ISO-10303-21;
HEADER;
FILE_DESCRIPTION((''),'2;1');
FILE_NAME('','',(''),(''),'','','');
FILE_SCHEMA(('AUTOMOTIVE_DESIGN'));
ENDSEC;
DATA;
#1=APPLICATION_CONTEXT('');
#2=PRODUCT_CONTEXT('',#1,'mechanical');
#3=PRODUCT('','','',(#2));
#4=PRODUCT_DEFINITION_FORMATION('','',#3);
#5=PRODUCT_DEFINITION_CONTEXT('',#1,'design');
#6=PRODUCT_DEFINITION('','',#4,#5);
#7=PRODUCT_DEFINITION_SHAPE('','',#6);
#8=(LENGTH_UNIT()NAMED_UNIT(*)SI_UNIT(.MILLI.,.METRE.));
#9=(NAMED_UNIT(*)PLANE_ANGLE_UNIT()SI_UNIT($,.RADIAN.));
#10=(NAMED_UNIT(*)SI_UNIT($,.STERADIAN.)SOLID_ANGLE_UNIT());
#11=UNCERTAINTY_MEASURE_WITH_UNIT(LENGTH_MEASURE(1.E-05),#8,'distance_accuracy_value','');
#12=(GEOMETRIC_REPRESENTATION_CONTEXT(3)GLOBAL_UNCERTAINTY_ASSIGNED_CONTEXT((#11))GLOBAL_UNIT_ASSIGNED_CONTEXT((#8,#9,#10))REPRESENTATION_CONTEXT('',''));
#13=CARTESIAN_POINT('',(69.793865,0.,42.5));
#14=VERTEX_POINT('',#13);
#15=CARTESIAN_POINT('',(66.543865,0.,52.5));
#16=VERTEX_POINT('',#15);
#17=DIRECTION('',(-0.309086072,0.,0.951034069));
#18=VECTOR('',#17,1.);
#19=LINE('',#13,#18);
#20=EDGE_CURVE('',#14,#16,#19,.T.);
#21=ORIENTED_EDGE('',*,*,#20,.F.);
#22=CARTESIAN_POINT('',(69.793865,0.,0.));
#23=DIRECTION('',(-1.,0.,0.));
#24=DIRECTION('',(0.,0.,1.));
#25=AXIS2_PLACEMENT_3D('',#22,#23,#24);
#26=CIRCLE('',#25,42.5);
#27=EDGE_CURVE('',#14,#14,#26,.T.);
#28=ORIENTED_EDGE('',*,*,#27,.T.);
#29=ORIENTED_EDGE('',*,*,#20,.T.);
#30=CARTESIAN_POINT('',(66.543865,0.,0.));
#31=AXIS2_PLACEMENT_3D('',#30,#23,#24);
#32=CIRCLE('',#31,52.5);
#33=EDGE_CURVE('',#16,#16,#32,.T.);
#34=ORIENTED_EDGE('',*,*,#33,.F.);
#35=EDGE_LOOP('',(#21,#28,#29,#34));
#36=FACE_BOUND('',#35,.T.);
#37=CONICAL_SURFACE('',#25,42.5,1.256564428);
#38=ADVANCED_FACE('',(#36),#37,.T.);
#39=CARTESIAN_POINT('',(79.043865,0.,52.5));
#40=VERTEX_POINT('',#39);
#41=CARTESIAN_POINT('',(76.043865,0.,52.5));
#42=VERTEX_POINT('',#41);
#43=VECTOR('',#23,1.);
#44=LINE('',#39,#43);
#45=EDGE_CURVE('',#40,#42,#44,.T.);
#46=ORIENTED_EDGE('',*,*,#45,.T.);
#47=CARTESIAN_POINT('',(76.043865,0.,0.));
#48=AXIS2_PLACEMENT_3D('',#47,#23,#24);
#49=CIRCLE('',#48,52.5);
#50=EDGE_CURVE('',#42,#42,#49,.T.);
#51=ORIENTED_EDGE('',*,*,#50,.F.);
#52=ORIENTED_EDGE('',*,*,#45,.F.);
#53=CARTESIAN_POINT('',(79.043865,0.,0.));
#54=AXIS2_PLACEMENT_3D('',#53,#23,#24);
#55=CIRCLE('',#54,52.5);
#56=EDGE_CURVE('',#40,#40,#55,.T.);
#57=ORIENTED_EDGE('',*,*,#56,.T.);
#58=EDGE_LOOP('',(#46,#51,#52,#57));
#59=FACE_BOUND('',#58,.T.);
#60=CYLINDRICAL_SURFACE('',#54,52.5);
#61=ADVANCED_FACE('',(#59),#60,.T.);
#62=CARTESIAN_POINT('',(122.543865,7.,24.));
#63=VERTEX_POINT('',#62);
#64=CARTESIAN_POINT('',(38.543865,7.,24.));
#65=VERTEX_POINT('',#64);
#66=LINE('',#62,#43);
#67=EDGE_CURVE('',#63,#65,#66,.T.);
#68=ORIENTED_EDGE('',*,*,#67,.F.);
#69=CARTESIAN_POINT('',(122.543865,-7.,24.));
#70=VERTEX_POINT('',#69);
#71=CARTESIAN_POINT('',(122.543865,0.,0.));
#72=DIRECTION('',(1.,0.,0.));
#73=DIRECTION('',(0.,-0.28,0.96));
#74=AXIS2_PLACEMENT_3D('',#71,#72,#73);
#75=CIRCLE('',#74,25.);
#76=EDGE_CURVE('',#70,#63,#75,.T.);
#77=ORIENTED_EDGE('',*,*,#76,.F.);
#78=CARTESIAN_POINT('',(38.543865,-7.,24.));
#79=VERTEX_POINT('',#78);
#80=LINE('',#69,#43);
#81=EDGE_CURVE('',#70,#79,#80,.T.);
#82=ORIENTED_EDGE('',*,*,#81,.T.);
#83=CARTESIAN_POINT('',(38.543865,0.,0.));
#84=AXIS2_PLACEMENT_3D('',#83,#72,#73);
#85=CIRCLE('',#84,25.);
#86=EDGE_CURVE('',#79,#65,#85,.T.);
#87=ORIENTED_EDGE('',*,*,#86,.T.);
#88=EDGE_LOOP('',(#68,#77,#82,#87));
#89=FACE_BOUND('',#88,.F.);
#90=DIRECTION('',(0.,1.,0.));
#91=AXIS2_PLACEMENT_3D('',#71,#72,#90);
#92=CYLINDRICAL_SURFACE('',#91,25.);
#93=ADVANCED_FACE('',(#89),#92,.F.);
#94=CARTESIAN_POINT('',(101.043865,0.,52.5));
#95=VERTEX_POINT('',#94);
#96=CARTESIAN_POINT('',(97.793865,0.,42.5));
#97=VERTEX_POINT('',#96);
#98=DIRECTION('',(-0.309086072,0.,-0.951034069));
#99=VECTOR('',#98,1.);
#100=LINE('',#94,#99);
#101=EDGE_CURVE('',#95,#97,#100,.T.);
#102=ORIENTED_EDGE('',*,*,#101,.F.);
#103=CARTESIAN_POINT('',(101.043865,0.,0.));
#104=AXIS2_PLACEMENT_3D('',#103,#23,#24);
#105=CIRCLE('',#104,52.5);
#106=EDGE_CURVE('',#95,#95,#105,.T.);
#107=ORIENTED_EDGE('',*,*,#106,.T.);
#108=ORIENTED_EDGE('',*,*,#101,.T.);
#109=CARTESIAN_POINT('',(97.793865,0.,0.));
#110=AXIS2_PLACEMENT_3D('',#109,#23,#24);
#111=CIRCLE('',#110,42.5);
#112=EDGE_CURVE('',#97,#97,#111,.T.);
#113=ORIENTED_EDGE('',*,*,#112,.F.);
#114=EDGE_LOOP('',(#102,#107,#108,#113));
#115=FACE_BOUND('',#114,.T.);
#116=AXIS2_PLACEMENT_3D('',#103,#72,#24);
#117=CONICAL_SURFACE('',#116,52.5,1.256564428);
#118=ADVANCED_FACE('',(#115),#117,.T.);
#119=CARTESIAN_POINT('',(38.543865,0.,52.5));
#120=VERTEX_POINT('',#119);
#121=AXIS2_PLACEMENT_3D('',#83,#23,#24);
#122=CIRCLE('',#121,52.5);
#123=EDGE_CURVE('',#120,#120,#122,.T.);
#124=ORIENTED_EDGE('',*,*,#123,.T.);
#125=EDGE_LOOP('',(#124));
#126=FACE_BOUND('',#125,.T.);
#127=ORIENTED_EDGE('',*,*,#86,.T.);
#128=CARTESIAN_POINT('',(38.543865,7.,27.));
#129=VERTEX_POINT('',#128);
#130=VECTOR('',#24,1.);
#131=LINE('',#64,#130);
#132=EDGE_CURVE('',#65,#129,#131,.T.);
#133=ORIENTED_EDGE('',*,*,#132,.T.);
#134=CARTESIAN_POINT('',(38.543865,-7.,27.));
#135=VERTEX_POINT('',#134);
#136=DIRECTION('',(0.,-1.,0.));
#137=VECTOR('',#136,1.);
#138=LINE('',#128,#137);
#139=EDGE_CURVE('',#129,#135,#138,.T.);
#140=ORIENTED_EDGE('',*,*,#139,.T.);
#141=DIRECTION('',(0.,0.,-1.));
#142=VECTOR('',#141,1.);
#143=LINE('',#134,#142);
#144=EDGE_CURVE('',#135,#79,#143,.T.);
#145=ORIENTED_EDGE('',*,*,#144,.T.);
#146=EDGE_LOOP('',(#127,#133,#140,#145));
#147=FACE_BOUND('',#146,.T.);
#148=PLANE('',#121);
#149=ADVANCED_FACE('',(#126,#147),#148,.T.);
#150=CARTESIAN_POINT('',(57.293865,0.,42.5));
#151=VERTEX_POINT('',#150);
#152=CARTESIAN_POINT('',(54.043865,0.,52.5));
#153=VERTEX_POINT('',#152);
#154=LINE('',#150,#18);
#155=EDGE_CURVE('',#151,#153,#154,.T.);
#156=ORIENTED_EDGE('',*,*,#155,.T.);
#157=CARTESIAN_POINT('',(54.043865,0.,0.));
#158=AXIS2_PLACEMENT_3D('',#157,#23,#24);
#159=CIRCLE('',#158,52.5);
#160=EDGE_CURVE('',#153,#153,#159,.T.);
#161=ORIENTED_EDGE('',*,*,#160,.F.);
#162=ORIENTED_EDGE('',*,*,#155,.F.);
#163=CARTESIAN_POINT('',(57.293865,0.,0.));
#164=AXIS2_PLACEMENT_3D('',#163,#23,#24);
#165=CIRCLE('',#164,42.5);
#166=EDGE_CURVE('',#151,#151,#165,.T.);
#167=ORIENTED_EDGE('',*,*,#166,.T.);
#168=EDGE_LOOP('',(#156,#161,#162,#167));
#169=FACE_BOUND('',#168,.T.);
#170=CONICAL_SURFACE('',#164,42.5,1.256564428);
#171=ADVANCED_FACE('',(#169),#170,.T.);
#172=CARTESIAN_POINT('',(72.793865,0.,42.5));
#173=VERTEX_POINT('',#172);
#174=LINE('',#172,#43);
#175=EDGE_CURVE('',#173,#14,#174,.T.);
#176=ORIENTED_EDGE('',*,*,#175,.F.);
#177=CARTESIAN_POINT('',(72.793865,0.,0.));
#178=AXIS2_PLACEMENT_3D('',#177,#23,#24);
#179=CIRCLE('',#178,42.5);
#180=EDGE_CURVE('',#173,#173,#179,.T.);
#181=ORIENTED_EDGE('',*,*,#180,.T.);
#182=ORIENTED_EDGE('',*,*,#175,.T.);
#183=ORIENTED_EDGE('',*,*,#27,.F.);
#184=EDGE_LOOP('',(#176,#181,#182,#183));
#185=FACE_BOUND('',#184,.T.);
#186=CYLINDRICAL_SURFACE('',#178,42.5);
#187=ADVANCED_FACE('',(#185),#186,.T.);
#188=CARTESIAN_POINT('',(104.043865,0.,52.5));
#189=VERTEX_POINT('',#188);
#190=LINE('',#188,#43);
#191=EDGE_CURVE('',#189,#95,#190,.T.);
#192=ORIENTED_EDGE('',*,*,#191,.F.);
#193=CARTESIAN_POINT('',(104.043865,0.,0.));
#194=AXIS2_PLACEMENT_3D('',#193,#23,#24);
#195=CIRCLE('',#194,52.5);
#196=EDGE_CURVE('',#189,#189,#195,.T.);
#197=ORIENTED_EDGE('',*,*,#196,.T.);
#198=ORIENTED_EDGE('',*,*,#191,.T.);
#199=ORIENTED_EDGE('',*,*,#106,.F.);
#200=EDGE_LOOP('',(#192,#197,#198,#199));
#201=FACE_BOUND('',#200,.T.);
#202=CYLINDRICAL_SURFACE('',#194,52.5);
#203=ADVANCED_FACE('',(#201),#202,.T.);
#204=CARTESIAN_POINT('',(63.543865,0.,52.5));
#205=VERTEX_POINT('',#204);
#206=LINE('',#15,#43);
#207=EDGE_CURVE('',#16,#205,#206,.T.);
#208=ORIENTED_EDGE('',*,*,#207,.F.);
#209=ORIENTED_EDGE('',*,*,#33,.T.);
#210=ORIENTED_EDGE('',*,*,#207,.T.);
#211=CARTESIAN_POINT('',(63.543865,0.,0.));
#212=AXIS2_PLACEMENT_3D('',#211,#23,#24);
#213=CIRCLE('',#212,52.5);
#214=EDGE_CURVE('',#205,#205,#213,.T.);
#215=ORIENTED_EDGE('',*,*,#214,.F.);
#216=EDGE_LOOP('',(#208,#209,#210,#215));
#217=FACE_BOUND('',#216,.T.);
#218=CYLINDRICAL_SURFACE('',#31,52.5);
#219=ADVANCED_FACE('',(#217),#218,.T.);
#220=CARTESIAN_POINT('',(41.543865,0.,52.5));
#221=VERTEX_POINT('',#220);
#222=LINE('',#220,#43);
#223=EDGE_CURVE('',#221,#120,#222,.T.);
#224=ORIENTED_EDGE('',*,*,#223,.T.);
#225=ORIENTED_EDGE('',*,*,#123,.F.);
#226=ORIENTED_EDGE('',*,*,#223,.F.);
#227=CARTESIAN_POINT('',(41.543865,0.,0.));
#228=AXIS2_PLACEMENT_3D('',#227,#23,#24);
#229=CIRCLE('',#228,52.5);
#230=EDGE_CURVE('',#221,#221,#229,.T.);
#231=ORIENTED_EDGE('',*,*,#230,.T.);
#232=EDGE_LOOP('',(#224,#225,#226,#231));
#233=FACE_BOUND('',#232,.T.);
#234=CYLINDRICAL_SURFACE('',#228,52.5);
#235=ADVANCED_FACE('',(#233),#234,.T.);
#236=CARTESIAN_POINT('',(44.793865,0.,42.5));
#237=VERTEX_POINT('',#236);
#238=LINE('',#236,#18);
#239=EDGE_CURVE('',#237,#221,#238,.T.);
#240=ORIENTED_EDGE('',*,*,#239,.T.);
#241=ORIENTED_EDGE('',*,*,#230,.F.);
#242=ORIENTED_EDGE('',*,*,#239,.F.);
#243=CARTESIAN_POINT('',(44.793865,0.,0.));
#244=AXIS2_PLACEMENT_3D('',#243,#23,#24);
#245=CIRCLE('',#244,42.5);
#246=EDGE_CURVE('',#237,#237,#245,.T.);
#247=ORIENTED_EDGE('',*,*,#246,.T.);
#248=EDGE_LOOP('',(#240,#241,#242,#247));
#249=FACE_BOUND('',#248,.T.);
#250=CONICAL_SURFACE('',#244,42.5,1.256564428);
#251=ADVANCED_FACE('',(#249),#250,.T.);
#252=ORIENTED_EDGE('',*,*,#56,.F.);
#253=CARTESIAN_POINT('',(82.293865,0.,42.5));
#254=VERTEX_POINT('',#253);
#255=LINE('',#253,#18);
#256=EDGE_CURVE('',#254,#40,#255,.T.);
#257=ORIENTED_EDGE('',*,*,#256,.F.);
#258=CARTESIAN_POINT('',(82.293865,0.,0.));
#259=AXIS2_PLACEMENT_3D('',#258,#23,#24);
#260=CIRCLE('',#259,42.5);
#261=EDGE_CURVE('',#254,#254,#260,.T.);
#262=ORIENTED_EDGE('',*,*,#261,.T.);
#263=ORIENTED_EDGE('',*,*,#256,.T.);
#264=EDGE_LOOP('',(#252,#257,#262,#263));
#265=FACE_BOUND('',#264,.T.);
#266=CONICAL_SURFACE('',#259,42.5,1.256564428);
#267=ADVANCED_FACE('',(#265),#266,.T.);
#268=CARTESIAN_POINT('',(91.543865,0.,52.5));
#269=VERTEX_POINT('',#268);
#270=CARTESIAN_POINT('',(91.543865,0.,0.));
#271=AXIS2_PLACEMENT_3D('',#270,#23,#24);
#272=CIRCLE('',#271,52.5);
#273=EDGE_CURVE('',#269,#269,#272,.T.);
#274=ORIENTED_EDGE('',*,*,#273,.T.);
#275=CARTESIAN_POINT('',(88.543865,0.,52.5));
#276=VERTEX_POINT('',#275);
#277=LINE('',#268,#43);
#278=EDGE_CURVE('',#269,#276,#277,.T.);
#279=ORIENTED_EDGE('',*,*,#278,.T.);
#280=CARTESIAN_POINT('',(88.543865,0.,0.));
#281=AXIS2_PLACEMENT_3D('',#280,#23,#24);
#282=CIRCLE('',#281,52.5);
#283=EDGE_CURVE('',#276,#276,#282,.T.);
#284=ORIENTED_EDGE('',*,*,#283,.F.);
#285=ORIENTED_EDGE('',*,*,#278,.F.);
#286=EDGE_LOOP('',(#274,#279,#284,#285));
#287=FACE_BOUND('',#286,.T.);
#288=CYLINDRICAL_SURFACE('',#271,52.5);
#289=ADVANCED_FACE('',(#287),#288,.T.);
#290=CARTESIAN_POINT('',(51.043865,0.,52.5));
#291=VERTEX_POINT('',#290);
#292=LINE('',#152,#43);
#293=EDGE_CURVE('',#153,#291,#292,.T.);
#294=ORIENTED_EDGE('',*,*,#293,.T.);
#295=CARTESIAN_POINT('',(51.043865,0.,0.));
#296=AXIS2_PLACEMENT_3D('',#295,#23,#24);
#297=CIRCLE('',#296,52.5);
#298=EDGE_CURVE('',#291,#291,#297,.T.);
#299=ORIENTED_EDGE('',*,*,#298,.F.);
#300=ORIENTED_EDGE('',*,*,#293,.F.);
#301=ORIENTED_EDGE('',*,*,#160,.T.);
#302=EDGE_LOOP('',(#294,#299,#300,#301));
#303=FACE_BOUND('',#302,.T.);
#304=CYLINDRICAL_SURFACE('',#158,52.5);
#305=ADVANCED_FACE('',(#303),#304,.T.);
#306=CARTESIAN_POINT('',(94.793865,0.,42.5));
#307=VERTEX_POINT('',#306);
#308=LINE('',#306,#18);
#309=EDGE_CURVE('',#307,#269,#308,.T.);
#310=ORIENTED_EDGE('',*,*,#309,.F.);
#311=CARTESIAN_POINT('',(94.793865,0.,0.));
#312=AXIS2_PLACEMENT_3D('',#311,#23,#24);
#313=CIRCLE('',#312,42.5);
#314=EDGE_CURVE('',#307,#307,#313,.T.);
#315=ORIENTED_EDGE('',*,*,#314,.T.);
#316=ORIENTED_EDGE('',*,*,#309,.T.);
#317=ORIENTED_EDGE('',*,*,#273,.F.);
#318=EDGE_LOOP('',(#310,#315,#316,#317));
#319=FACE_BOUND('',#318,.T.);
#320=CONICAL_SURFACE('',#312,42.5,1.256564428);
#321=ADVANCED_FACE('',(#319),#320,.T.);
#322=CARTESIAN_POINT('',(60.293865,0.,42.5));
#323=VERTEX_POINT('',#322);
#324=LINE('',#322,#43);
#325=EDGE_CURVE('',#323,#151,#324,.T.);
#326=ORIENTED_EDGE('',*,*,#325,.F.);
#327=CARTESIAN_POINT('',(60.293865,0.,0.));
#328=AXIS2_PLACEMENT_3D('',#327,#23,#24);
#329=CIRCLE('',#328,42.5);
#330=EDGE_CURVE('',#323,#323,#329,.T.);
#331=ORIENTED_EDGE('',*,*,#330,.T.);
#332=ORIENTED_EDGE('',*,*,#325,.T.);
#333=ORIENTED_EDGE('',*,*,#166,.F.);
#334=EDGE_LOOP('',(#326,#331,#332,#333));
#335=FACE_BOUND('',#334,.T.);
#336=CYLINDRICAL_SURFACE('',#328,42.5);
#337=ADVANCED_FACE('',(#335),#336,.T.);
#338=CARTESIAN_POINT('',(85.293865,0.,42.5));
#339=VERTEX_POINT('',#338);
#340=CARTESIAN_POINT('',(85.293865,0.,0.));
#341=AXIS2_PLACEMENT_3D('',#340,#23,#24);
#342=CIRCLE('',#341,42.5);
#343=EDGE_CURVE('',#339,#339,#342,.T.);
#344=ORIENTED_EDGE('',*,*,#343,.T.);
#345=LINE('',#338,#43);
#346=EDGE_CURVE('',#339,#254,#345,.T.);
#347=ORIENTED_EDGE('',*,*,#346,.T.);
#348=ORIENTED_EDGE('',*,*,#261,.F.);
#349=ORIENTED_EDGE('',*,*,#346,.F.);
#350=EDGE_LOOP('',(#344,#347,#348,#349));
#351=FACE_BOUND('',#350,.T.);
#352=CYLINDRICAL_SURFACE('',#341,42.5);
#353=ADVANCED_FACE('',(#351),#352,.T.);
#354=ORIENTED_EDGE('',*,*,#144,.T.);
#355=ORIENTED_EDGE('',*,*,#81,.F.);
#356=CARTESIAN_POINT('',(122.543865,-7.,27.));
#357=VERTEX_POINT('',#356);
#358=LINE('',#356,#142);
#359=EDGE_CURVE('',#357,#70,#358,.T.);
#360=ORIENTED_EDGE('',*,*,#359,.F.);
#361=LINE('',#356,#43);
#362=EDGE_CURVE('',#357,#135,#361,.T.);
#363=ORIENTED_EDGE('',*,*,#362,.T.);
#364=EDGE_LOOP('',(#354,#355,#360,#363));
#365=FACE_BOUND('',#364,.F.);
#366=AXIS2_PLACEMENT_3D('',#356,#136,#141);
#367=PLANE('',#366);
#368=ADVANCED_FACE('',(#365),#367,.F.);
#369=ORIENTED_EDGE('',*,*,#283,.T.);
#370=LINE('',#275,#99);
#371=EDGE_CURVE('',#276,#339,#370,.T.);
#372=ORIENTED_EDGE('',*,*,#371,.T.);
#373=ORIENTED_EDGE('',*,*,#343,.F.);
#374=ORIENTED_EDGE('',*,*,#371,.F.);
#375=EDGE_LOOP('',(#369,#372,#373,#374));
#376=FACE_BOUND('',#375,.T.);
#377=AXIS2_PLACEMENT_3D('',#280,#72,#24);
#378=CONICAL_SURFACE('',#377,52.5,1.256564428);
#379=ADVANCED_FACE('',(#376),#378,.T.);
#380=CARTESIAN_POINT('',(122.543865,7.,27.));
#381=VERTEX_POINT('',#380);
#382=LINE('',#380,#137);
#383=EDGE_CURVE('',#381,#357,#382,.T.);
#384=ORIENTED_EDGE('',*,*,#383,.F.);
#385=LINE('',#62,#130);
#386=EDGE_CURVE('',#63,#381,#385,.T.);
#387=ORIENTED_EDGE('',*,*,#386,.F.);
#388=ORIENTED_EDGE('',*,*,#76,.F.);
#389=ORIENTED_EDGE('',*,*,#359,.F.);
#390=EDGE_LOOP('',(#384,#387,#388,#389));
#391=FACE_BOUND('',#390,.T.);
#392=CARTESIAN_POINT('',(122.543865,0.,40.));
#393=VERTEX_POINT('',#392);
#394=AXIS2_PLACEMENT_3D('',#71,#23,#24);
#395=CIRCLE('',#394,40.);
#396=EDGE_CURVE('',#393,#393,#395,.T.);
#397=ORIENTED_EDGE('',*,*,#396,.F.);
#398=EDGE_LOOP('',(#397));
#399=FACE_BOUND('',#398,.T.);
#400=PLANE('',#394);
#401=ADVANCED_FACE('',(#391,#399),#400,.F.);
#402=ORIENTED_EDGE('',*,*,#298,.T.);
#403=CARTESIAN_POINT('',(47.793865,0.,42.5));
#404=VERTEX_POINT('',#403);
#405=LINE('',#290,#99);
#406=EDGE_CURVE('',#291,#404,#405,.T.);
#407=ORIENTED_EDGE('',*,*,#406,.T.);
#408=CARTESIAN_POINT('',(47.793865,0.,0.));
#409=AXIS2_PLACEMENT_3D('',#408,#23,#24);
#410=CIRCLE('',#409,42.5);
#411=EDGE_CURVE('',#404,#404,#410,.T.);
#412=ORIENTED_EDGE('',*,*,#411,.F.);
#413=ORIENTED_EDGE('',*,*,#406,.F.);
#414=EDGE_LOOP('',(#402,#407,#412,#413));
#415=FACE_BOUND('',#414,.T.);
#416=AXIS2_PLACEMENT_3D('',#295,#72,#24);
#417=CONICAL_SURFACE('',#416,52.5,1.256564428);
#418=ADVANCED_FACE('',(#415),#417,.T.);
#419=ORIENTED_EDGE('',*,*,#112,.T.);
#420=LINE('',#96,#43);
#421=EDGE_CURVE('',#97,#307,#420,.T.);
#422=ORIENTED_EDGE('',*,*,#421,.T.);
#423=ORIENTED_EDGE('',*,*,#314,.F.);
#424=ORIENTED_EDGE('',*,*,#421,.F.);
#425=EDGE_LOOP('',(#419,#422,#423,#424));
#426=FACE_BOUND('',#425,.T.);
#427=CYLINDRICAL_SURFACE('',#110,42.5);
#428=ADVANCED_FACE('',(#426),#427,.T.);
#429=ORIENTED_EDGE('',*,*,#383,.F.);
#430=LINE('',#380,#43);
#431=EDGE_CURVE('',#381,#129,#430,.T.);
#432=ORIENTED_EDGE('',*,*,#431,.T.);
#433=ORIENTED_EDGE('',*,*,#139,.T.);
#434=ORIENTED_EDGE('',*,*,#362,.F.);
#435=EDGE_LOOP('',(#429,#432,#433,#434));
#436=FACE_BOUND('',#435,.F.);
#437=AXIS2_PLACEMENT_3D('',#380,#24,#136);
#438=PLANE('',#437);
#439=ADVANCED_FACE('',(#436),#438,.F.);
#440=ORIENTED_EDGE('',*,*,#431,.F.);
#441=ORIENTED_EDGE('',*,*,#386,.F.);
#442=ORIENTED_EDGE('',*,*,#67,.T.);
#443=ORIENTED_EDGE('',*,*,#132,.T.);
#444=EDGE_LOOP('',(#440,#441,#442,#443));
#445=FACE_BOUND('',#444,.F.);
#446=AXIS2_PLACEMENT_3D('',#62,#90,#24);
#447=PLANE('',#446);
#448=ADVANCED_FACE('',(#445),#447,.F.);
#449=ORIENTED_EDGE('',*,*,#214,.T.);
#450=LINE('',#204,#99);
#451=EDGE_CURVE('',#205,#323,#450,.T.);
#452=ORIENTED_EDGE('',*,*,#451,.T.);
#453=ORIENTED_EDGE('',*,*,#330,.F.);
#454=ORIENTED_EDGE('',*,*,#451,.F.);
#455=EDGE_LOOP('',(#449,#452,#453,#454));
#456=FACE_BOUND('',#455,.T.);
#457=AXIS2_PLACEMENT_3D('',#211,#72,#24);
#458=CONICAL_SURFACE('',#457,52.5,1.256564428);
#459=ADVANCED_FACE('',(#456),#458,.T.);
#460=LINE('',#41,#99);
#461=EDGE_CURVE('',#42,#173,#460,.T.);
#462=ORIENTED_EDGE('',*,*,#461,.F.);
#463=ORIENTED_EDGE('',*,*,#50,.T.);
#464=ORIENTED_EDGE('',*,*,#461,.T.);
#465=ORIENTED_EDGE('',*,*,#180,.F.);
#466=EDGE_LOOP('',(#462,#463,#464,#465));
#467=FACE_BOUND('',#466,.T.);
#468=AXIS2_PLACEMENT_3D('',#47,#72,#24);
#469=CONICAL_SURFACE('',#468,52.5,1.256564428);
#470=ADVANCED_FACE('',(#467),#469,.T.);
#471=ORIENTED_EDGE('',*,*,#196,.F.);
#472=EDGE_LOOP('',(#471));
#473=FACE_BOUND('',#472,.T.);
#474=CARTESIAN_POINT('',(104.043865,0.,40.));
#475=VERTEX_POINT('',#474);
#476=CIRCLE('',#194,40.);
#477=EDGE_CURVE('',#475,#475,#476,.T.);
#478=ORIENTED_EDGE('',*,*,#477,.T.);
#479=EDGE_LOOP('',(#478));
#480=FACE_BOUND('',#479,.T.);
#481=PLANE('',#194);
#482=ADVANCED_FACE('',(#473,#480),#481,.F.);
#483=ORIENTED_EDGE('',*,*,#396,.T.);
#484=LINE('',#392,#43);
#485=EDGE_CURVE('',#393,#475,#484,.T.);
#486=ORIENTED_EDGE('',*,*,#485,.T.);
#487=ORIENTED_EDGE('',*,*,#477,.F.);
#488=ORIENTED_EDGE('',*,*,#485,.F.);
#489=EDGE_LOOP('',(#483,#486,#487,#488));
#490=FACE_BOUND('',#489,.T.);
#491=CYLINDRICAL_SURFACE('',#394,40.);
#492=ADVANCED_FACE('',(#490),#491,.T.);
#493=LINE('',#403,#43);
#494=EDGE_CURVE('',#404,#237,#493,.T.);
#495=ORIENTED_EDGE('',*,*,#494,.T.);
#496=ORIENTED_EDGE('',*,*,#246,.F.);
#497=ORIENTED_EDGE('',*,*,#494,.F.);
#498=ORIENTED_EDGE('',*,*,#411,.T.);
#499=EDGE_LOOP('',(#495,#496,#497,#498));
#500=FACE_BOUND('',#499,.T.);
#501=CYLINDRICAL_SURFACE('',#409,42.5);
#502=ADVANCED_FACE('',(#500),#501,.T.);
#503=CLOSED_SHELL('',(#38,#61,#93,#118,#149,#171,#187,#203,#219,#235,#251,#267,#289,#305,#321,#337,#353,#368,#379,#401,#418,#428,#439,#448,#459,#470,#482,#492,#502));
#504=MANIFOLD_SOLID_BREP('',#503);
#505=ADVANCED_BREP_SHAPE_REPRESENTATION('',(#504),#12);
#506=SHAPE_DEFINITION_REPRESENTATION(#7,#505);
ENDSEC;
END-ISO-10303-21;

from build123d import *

# Parameters (mm, degrees)
F2_R     = 25
F3_DEPTH = 84
F5_DEPTH = 84


with BuildPart() as f1:
    # F0 (on Front) → F1 (revolve)
    with BuildSketch(Plane.XZ):
        Polygon((38.5438650846, 52.5), (38.5438650846, 0), (122.5438650846, 0), (122.5438650846, 40), (104.0438650846, 40), (104.0438650846, 52.5), (101.0438650846, 52.5), (97.7938650846, 42.5), (94.7938650846, 42.5), (91.5438650846, 52.5), (88.5438650846, 52.5), (85.2938650846, 42.5), (82.2938650846, 42.5), (79.0438650846, 52.5), (76.0438650846, 52.5), (72.7938650846, 42.5), (69.7938650846, 42.5), (66.5438650846, 52.5), (63.5438650846, 52.5), (60.2938650846, 42.5), (57.2938650846, 42.5), (54.0438650846, 52.5), (51.0438650846, 52.5), (47.7938650846, 42.5), (44.7938650846, 42.5), (41.5438650846, 52.5), align=None)
    revolve(axis=Axis((80.5438650846, 0, 0), (-1, 0, 0)))

    # F2 (on face) → F3 (cut)
    with BuildSketch(Plane.YZ.offset(122.5438650846)):
        Circle(F2_R)
    extrude(amount=-F3_DEPTH, mode=Mode.SUBTRACT)

    # F4 (on face) → F5 (cut)
    with BuildSketch(Plane.YZ.offset(122.5438650846)):
        with BuildLine():
            Line((-7, 27), (-7, 24))
            ThreePointArc((-7, 24), (0, 25), (7, 24))
            Line((7, 24), (7, 27))
            Line((7, 27), (-7, 27))
        make_face()
    extrude(amount=-F5_DEPTH, mode=Mode.SUBTRACT)


solid = f1.part
